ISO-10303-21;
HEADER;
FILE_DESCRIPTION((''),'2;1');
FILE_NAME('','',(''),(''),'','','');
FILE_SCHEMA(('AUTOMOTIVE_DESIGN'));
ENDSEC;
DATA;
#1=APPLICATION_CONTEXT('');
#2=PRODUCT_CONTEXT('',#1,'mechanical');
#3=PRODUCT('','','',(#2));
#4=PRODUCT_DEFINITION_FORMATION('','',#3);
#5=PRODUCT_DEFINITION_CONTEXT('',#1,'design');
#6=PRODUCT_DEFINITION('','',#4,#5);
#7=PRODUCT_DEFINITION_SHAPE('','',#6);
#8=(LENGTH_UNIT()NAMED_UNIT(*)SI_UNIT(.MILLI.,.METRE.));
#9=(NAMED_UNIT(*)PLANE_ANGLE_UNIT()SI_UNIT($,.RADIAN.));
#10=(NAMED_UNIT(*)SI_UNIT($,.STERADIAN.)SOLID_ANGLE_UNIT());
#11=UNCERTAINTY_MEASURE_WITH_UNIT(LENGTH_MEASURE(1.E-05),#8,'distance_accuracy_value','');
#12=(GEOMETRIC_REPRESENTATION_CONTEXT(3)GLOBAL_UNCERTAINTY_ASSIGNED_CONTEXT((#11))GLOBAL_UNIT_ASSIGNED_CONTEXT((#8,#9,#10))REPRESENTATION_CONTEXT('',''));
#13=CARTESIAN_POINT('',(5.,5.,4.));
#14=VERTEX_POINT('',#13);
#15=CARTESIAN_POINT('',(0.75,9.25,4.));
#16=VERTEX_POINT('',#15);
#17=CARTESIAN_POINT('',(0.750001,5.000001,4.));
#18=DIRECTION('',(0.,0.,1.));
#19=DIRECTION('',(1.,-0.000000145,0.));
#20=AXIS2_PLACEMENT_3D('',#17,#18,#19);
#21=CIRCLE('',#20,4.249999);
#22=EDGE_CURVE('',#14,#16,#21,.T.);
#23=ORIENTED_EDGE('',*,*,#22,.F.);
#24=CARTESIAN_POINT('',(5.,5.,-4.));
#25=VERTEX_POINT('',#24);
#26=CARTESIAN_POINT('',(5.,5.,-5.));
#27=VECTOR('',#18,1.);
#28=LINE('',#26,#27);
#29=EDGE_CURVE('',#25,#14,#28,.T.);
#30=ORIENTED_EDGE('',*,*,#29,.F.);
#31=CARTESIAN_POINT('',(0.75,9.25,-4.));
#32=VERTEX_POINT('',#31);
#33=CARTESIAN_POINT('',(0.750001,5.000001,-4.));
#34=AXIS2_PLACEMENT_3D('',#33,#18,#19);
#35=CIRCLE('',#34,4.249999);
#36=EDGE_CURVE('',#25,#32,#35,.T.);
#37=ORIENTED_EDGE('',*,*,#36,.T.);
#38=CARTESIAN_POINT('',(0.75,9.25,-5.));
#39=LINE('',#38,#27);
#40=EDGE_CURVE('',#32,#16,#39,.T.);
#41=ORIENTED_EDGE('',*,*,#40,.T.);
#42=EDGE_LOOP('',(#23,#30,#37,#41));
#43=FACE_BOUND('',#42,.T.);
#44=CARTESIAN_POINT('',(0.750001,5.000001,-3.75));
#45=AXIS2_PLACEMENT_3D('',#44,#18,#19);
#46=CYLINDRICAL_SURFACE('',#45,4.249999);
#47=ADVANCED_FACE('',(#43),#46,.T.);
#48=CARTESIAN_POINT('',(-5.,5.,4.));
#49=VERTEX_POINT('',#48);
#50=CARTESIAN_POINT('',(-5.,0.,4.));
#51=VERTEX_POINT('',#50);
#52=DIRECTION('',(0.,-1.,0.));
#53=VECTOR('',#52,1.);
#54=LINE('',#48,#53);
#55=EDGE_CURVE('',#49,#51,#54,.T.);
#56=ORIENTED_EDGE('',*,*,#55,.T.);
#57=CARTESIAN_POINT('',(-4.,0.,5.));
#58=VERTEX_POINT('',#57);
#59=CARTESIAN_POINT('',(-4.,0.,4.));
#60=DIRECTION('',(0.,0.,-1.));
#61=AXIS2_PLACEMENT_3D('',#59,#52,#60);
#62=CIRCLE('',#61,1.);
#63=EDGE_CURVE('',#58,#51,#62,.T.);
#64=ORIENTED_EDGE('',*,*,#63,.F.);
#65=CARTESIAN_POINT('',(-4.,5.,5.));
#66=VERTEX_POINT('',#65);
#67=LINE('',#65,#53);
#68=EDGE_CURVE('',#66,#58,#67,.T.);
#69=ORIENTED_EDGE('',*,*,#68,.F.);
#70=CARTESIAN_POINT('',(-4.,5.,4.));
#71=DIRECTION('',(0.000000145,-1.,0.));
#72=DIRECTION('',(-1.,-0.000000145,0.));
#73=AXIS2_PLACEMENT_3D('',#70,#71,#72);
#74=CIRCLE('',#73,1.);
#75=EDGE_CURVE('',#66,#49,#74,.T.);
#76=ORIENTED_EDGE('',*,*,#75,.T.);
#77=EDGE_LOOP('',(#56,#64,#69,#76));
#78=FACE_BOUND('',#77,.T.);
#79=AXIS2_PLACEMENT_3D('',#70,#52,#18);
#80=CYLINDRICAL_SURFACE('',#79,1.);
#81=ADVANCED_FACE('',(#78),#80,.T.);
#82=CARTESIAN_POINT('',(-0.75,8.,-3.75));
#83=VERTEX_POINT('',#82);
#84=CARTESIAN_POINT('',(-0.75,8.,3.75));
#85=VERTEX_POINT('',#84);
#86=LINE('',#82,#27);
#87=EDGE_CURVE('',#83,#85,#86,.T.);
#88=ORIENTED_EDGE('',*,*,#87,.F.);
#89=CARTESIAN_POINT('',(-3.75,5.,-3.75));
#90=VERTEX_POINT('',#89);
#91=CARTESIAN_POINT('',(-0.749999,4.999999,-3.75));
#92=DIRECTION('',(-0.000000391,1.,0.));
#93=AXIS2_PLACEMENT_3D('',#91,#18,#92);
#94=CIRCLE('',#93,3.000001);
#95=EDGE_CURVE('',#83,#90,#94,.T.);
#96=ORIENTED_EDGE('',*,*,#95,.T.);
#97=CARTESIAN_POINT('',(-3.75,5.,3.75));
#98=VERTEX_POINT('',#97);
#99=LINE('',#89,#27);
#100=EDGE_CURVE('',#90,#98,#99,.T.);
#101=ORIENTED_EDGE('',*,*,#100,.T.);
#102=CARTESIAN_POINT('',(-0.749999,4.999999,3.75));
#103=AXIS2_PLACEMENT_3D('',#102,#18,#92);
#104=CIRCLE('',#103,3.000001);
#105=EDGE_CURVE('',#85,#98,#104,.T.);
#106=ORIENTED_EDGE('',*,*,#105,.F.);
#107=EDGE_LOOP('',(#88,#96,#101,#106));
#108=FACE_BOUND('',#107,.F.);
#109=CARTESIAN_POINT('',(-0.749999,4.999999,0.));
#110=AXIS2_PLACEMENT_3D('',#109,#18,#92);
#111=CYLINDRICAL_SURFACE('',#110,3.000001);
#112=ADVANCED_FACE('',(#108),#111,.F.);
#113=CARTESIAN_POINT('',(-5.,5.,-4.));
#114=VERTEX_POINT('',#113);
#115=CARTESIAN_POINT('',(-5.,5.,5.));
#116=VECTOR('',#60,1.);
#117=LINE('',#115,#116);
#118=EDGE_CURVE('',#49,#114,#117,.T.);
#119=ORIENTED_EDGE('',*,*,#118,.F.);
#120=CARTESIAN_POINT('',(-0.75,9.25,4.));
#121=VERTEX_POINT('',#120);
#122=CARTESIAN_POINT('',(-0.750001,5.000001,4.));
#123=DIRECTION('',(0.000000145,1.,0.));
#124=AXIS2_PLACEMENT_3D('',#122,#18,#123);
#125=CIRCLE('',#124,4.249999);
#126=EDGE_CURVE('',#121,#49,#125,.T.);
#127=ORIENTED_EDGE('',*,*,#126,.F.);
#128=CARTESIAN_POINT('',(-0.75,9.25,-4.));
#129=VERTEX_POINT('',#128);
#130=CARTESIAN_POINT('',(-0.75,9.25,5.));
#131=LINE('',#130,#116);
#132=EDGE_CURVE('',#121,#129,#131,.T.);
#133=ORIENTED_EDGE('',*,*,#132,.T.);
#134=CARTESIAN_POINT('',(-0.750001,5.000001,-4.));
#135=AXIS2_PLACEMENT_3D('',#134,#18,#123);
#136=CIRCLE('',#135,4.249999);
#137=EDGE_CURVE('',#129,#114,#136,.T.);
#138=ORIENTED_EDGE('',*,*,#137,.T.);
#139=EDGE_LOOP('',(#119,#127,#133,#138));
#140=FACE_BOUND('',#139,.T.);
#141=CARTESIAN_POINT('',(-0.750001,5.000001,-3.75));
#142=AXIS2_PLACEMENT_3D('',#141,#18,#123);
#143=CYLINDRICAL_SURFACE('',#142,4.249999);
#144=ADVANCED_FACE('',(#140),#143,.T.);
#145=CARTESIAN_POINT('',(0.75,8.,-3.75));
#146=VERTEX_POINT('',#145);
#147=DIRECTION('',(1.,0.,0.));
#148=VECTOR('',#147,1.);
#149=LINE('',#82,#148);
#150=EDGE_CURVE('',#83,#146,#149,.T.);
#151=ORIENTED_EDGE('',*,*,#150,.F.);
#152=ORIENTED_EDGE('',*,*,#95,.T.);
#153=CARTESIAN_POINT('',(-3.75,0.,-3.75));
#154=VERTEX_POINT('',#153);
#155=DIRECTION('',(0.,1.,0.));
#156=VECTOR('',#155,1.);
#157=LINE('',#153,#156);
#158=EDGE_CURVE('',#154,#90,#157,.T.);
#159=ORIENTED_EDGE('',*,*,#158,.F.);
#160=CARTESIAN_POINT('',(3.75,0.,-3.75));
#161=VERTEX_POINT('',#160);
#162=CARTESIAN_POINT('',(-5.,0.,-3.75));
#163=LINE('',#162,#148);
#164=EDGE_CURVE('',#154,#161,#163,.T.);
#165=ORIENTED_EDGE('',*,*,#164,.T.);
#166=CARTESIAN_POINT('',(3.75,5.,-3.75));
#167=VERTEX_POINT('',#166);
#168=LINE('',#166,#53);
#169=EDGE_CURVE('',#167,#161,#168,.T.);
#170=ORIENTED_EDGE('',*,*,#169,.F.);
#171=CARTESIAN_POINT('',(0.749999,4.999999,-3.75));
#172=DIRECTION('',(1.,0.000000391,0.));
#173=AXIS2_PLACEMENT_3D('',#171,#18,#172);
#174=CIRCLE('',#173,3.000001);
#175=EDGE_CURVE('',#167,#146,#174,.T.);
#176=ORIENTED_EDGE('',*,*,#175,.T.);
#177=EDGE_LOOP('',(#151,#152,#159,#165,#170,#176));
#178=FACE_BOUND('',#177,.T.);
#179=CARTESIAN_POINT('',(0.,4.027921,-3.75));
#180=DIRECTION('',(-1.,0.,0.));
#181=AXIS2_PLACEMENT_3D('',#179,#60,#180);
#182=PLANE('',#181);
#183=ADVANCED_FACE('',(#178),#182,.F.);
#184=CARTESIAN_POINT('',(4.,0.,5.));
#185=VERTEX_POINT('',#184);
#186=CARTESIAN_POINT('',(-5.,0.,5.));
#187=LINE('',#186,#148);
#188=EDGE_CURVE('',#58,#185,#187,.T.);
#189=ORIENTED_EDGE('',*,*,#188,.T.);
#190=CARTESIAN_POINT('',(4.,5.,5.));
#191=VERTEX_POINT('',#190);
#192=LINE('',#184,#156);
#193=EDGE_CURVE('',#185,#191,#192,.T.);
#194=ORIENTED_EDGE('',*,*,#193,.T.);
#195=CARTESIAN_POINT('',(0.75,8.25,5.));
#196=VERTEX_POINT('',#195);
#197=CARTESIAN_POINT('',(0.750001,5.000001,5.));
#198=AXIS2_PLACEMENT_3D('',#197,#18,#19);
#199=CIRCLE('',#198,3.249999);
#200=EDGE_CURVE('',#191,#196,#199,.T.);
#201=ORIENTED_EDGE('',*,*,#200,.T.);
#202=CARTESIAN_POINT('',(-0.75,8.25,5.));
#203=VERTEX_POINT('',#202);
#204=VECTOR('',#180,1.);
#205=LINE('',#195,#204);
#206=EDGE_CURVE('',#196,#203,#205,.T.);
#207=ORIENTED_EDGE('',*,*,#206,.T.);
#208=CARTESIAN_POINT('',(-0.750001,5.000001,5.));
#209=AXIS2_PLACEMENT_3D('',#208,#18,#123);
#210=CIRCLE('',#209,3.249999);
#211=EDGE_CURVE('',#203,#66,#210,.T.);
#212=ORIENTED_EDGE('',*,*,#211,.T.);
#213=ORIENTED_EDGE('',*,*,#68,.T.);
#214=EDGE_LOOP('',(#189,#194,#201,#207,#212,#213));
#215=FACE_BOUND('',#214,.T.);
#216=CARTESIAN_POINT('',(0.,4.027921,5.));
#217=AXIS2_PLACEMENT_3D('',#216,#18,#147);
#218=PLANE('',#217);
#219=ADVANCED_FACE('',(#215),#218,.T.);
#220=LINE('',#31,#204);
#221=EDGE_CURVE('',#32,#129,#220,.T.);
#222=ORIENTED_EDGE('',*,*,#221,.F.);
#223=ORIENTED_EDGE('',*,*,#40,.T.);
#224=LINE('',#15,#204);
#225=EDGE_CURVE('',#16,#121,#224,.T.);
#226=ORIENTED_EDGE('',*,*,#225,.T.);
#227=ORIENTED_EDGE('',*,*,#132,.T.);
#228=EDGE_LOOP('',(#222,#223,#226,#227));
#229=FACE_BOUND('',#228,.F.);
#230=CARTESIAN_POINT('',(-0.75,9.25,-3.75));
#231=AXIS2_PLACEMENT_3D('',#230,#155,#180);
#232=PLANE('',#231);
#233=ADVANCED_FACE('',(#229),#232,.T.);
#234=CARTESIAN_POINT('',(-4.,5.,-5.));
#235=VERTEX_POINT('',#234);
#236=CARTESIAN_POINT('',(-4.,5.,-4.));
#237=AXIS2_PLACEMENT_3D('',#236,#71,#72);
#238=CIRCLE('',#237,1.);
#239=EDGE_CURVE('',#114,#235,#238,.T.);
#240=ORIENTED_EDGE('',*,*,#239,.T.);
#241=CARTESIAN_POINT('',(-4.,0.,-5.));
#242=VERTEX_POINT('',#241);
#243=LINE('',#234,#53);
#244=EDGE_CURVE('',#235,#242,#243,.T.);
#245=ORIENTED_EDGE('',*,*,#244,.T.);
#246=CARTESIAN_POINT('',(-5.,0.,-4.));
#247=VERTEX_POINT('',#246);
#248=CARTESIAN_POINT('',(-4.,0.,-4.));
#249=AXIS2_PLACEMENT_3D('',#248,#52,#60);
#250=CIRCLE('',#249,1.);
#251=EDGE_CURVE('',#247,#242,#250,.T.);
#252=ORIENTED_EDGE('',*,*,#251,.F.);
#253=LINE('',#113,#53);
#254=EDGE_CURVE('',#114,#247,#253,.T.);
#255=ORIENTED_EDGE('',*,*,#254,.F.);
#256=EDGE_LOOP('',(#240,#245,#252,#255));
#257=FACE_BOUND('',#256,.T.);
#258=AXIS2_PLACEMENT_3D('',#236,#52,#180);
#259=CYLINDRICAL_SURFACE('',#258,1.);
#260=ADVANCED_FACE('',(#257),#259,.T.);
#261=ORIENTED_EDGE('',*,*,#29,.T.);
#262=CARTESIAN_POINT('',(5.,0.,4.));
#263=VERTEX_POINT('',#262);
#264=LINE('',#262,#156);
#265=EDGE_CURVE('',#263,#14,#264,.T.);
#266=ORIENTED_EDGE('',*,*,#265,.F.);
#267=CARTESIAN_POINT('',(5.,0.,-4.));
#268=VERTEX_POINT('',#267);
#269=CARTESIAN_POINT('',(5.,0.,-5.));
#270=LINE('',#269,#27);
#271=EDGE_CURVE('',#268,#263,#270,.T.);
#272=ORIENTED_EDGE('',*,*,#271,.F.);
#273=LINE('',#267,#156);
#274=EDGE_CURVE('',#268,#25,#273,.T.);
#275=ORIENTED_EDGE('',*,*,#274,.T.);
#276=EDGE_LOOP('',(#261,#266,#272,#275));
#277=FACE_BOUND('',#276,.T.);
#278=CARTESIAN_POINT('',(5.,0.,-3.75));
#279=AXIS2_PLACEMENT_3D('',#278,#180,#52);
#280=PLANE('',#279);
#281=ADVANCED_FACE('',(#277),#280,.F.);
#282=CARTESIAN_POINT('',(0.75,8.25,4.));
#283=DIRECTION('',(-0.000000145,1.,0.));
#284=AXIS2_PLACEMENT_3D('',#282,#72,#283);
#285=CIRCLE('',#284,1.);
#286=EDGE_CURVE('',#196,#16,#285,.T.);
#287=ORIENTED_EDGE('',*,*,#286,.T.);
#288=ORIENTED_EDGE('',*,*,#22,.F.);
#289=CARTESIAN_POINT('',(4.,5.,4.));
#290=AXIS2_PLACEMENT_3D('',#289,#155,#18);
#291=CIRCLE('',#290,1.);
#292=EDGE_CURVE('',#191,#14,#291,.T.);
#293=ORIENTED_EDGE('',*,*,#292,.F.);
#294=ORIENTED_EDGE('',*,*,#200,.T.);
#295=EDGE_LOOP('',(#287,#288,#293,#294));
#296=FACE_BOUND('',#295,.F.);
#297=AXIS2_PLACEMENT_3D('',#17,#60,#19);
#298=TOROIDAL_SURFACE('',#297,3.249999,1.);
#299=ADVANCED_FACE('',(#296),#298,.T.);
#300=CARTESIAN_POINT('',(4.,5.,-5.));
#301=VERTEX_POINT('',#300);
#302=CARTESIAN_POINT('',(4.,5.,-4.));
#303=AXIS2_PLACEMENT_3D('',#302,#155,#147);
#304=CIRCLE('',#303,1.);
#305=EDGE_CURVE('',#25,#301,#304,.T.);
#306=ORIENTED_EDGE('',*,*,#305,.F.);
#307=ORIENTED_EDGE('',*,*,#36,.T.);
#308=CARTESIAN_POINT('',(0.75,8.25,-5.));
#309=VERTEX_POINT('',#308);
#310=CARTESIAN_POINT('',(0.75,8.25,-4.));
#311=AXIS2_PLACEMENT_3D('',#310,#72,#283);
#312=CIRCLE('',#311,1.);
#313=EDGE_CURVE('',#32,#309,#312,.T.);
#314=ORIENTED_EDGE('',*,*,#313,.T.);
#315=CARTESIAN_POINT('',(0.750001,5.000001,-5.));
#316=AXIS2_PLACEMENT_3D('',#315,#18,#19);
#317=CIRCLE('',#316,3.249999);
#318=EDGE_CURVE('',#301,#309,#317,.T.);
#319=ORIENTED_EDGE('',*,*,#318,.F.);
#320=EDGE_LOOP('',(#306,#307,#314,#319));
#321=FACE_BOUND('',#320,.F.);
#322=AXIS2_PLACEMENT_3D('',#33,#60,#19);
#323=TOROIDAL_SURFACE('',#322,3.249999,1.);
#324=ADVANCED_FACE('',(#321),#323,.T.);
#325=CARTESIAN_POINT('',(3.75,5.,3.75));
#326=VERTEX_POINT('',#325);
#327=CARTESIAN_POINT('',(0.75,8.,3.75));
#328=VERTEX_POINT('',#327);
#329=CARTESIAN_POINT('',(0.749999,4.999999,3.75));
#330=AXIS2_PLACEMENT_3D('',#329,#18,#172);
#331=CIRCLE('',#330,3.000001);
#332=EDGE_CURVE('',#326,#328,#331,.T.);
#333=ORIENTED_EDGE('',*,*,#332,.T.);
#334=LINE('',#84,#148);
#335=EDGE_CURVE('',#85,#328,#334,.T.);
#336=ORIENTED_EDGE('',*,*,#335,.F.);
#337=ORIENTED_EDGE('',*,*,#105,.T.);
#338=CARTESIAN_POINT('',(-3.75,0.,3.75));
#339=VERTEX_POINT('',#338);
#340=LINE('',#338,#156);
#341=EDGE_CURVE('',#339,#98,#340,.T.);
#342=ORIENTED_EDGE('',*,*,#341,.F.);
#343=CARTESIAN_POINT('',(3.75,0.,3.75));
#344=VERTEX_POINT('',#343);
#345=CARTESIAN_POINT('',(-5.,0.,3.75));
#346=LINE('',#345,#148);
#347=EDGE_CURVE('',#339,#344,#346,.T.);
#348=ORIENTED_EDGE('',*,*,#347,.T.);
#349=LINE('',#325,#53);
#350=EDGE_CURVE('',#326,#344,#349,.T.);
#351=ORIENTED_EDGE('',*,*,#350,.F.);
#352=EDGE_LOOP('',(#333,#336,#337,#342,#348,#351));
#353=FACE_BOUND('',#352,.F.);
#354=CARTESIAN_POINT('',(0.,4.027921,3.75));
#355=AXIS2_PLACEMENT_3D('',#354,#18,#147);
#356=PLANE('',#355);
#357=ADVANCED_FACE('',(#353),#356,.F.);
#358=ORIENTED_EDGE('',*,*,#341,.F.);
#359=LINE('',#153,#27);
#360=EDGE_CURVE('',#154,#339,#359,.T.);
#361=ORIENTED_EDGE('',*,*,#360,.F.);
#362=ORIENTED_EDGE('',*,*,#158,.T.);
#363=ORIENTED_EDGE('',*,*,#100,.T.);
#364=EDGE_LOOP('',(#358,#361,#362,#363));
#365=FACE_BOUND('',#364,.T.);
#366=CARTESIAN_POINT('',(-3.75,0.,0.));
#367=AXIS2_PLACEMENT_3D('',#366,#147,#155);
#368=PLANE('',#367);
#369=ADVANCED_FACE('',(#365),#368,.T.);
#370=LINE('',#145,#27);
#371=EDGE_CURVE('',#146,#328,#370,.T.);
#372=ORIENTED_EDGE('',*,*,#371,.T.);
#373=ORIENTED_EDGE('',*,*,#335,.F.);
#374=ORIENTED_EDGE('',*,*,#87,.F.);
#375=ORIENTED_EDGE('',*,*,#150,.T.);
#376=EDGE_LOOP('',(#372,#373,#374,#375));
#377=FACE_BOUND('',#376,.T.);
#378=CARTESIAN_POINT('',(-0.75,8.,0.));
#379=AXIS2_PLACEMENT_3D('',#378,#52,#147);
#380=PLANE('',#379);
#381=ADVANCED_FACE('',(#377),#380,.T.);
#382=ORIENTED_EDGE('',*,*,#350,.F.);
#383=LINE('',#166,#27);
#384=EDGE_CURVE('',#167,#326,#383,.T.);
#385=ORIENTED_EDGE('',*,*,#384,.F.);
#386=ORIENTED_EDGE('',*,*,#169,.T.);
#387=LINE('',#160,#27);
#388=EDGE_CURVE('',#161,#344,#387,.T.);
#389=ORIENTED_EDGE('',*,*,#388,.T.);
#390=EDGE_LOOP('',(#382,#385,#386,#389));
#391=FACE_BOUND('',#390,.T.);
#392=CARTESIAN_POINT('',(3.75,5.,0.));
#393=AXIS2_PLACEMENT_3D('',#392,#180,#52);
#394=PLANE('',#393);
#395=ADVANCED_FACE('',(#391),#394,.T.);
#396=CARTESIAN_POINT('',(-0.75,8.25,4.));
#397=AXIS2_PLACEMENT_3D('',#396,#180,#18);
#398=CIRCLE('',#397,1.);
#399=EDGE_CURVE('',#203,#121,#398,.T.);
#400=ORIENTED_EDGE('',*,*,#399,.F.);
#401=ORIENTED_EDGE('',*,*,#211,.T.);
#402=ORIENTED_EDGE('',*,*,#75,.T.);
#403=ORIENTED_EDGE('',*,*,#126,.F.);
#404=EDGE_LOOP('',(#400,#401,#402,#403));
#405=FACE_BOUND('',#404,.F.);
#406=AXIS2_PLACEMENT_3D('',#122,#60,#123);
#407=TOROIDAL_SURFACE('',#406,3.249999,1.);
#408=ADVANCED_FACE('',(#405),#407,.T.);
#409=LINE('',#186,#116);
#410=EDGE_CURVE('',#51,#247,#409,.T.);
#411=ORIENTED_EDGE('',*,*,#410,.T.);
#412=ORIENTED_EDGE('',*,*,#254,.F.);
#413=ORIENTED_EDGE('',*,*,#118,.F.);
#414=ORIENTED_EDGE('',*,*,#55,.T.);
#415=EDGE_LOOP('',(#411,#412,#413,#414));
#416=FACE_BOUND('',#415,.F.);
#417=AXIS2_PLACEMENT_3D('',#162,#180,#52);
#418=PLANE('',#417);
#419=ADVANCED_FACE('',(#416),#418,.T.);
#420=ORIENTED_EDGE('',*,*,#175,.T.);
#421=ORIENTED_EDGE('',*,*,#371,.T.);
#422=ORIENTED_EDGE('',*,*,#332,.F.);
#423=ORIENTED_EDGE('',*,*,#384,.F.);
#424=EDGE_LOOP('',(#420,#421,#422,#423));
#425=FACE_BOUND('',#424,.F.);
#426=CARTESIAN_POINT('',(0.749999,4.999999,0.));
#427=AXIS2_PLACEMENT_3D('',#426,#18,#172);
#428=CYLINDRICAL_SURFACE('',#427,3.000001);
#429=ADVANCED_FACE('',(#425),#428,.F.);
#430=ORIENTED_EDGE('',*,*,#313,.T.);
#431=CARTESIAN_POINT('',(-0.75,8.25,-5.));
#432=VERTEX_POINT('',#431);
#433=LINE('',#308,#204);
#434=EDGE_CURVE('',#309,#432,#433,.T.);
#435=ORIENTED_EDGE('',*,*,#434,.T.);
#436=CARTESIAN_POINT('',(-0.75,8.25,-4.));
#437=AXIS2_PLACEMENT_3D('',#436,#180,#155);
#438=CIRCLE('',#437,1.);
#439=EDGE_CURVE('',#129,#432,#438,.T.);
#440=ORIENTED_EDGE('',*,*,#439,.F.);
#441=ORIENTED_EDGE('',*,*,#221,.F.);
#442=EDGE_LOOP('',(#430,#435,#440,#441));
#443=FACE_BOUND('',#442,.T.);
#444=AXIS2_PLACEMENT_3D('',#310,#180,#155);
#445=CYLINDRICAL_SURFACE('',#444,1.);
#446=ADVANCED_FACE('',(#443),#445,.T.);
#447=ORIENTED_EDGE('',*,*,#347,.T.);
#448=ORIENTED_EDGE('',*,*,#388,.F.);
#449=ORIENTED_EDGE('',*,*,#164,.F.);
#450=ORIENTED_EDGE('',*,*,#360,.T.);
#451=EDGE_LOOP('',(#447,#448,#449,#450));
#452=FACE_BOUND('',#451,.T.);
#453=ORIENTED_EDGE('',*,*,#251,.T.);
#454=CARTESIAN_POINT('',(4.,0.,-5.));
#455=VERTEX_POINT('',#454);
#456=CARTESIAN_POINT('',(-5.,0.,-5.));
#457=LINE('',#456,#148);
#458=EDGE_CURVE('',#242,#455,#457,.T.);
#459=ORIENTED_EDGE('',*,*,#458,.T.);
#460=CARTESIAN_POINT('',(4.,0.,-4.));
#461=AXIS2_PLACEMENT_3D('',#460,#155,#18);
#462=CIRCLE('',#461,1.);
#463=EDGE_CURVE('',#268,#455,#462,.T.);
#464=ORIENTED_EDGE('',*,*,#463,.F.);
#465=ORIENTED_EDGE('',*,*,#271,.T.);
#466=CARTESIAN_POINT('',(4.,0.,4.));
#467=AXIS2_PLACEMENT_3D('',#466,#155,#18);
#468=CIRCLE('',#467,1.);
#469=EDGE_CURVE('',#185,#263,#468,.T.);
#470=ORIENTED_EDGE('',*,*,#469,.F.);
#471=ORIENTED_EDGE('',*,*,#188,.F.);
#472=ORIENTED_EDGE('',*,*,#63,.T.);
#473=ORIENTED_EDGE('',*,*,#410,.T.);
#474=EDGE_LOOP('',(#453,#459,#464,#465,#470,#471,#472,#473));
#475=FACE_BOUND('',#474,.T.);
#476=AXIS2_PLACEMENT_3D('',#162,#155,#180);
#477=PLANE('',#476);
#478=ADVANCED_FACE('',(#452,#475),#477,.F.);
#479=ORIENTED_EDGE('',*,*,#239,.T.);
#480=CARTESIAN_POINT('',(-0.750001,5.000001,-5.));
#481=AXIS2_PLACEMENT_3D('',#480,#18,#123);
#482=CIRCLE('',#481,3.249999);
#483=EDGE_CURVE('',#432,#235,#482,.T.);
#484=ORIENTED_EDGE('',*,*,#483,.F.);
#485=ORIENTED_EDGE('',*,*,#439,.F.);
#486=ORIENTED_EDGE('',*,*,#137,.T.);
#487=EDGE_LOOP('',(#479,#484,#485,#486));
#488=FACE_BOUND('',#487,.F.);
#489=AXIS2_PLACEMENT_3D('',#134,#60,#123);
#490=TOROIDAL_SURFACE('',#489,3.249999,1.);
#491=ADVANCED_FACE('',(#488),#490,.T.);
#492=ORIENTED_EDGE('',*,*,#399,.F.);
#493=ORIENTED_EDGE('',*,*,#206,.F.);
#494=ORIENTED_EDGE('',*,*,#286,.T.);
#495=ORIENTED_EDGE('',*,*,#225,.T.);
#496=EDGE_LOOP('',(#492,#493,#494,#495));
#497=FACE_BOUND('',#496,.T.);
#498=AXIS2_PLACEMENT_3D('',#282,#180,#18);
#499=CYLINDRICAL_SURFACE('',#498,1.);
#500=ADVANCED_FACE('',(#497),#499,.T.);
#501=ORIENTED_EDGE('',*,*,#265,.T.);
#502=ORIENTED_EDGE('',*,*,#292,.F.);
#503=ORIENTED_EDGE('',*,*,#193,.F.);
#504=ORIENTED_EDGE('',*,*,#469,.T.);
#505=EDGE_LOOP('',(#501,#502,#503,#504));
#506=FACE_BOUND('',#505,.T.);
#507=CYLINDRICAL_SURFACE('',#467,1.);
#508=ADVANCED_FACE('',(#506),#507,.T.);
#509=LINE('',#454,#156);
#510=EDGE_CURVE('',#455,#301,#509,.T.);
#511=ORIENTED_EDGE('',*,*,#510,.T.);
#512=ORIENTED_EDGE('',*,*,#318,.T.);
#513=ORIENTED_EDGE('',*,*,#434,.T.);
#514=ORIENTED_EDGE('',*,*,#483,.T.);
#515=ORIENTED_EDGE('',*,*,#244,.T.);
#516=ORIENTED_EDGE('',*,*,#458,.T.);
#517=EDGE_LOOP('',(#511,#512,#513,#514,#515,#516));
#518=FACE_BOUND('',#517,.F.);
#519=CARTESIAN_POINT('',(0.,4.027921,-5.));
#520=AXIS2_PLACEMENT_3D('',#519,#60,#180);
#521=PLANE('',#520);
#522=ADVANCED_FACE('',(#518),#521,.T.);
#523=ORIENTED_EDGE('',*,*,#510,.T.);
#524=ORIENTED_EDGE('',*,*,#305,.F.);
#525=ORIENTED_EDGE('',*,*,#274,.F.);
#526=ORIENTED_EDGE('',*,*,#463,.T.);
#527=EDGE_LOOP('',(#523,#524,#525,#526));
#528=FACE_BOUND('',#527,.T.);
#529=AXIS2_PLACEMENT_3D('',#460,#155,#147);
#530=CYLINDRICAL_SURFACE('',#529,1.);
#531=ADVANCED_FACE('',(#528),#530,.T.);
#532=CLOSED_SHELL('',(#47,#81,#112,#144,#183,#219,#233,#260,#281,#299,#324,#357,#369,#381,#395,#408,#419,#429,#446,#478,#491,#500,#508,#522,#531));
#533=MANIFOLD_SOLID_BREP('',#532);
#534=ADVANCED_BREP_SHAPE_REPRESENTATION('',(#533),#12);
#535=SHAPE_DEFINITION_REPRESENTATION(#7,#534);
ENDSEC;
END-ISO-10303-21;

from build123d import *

# Parameters (mm, degrees)
PAD_DEPTH    = 3.75
PAD001_DEPTH = 1.25
FILLET_R     = 1


with BuildPart() as part:
    # Sketch → Pad (new body, symmetric)
    with BuildSketch(Plane.XY):
        with BuildLine():
            Line((-5, 0), (-3.75, 0))
            Line((-3.75, 0), (-3.75, 5))
            ThreePointArc((-0.75, 8), (-2.87132, 7.12132), (-3.75, 5))
            Line((-0.75, 8), (0.75, 8))
            ThreePointArc((3.75, 5), (2.87132, 7.12132), (0.75, 8))
            Line((3.75, 5), (3.75, 0))
            Line((3.75, 0), (5, 0))
            Line((5, 0), (5, 5))
            ThreePointArc((5, 5), (3.755204, 8.005204), (0.75, 9.25))
            Line((-0.75, 9.25), (0.75, 9.25))
            ThreePointArc((-0.75, 9.25), (-3.755204, 8.005204), (-5, 5))
            Line((-5, 0), (-5, 5))
        make_face()
    extrude(amount=PAD_DEPTH, both=True)

    # Sketch001 (on Face14 of Pad) → Pad001 (join)
    with BuildSketch(Plane.XY.offset(3.75)):
        with BuildLine():
            Line((-5, 0), (-3.75, 0))
            Line((-3.75, 0), (3.75, 0))
            Line((3.75, 0), (5, 0))
            Line((5, 0), (5, 5))
            ThreePointArc((5, 5), (3.755204, 8.005204), (0.75, 9.25))
            Line((-0.75, 9.25), (0.75, 9.25))
            ThreePointArc((-0.75, 9.25), (-3.755204, 8.005204), (-5, 5))
            Line((-5, 0), (-5, 5))
        make_face()
    pad001 = extrude(amount=PAD001_DEPTH)

    # Mirrored: Pad001 across XY
    add(pad001.mirror(Plane.XY))

    # Fillet
    fillet_edges = [part.edges().sort_by_distance(p)[0] for p in [
        (5, 2.5, 5),
        (5, 2.5, -5),
    ]]
    fillet(fillet_edges, radius=FILLET_R)


solid = part.part
